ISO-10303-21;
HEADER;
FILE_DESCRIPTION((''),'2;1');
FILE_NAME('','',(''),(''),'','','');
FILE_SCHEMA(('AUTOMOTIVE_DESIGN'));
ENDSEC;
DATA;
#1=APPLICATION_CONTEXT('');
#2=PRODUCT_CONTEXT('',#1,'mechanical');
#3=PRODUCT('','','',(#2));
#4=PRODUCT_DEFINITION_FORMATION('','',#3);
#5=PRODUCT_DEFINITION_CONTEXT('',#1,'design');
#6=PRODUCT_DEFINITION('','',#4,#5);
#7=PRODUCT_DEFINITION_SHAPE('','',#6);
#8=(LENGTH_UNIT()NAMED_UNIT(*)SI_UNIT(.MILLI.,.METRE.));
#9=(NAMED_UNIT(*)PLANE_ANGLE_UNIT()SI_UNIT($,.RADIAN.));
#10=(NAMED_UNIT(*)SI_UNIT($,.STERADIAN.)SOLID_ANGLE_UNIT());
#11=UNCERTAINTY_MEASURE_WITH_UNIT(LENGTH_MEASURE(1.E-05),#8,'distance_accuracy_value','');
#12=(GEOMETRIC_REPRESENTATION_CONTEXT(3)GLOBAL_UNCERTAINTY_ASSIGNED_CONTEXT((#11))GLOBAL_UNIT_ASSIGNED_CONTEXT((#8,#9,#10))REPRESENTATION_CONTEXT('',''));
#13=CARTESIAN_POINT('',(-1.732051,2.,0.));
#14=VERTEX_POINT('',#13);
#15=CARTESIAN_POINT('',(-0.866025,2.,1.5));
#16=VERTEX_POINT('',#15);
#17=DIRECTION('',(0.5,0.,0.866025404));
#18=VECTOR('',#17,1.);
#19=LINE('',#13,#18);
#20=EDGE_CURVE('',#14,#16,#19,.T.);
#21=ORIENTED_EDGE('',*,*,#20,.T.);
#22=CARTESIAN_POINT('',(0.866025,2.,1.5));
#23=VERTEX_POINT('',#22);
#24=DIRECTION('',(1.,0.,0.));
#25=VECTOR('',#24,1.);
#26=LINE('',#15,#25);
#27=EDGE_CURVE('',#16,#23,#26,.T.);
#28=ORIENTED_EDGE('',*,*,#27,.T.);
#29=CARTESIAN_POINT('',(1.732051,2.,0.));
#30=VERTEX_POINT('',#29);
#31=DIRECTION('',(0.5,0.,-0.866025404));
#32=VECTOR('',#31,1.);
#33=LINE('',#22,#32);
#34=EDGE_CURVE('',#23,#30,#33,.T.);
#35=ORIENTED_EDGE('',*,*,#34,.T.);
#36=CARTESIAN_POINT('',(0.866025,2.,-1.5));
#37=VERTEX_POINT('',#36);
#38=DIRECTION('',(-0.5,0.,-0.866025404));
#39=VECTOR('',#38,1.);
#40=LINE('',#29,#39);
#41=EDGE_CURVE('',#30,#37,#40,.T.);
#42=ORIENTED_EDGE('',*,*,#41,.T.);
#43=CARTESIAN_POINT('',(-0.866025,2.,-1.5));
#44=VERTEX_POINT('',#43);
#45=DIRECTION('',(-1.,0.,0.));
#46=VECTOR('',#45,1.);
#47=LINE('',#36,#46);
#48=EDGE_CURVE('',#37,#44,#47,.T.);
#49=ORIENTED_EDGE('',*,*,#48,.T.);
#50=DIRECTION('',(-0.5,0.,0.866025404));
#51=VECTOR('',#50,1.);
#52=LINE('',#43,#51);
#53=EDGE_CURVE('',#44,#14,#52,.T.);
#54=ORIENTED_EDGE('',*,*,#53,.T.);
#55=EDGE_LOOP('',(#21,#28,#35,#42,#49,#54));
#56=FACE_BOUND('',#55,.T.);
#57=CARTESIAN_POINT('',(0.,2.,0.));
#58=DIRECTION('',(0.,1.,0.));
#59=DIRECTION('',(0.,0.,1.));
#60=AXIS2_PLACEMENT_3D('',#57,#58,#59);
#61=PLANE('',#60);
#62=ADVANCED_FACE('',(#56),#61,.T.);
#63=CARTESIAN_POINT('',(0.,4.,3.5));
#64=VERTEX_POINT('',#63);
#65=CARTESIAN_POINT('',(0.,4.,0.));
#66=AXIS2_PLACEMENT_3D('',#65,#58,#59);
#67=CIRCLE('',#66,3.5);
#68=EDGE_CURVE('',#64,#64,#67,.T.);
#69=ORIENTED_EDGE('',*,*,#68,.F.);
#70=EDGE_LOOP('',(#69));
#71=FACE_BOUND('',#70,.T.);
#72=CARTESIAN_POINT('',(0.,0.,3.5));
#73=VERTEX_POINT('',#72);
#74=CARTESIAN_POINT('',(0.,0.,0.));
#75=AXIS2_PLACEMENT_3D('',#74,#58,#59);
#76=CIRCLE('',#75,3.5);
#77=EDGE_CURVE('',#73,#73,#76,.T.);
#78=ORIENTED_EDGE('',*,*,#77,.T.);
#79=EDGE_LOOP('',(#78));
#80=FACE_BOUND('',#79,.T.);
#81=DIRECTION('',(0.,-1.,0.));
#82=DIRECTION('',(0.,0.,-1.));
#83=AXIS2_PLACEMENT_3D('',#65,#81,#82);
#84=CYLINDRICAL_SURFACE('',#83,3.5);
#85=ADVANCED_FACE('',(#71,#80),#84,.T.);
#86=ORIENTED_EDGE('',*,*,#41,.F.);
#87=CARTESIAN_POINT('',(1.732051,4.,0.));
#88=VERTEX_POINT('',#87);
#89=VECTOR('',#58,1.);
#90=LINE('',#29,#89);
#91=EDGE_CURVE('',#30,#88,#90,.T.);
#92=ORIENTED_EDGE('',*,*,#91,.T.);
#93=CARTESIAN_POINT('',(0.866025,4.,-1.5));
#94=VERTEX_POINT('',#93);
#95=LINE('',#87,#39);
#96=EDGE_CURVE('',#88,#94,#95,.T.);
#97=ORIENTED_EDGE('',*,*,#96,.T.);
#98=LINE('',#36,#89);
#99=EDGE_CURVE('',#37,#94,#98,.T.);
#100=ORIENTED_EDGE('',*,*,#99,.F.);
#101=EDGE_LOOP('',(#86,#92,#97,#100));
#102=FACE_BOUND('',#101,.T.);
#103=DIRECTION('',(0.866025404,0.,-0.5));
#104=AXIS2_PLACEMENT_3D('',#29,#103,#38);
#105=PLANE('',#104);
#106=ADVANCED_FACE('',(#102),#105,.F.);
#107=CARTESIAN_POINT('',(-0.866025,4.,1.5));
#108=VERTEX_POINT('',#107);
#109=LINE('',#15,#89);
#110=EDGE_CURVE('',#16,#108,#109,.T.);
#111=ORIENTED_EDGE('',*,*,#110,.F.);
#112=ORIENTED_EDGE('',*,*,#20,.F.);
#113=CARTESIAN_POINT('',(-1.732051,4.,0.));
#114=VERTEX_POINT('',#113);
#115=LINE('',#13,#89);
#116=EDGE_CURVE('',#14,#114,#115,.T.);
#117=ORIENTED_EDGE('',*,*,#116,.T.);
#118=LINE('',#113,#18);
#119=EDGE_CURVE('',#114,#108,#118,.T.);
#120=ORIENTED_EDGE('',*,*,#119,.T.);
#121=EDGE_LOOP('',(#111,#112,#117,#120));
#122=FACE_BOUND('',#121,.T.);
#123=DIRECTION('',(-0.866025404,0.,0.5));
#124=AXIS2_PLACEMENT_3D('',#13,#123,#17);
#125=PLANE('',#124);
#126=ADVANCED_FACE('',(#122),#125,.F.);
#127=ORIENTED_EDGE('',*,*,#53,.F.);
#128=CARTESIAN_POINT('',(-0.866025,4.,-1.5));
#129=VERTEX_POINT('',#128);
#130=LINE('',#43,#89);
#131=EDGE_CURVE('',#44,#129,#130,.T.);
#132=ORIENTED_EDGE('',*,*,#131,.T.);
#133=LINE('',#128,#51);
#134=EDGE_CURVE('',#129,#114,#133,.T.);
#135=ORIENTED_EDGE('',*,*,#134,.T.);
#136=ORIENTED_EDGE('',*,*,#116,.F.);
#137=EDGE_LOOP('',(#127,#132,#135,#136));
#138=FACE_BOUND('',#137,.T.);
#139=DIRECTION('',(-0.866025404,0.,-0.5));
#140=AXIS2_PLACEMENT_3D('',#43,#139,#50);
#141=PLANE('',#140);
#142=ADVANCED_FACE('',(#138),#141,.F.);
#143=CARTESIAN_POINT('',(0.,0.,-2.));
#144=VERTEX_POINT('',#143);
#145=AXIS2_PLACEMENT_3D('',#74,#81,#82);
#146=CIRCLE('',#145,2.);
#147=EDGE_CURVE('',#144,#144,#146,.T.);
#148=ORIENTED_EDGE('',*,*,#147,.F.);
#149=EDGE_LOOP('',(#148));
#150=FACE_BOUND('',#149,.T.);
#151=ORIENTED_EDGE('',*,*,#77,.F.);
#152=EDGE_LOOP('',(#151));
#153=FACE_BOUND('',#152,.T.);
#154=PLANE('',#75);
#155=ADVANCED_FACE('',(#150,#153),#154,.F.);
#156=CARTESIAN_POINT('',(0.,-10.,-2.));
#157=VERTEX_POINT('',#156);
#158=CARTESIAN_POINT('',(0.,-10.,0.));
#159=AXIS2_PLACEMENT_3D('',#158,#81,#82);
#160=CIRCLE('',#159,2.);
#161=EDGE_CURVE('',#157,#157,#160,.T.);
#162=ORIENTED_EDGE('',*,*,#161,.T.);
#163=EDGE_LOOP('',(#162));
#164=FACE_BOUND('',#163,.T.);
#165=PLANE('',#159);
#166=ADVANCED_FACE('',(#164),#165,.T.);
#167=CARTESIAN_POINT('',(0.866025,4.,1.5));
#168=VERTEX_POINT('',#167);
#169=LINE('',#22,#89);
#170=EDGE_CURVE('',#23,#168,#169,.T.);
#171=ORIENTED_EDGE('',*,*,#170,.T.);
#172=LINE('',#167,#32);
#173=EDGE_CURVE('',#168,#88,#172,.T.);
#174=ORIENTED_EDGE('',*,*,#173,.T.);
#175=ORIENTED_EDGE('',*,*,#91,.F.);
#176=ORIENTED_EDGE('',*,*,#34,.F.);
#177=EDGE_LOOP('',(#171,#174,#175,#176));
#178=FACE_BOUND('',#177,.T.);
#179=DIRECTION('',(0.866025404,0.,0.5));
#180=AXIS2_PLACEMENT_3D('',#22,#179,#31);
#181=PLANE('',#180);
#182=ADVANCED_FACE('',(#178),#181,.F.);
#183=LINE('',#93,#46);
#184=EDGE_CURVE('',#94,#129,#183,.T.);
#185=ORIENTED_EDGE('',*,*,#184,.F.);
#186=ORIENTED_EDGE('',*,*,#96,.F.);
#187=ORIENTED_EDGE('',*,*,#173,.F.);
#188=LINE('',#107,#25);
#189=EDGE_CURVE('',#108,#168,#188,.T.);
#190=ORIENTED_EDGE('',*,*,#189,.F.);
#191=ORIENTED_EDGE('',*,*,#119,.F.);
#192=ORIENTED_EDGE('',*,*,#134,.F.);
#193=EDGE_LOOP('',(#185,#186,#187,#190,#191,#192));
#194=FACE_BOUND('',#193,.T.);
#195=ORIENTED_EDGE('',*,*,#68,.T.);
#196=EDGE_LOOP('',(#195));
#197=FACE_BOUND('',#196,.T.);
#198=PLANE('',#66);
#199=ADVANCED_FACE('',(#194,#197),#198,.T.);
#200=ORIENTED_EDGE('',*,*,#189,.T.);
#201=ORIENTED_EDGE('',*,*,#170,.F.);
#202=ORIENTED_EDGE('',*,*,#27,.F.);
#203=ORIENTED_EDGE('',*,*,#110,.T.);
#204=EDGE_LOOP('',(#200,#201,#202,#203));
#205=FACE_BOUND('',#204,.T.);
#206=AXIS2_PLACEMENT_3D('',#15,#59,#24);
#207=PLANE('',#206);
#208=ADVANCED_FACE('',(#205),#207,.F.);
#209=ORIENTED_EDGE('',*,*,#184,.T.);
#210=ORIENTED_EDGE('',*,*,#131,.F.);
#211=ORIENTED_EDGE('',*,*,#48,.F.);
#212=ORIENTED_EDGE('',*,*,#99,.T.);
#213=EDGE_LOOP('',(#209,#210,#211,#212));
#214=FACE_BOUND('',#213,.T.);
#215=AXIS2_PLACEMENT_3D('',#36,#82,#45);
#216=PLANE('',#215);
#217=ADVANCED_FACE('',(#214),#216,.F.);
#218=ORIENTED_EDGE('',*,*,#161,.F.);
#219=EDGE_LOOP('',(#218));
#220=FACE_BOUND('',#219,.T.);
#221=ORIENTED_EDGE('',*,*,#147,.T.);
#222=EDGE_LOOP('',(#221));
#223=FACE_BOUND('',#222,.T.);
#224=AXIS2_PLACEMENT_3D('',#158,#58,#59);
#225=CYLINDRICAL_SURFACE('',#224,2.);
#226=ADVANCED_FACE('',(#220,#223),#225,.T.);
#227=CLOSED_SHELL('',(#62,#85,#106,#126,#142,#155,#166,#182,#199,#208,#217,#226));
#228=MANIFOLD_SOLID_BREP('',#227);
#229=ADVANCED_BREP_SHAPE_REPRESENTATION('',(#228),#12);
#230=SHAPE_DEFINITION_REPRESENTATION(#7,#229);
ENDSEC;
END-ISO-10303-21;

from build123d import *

# Parameters (mm, degrees)
SKETCH_1_R            = 3.5
EXTRUDE_246_DEPTH     = 4
CUT_EXTRUDE_376_DEPTH = 2
SKETCH_3_R            = 2
EXTRUDE_477_DEPTH     = 10


with BuildPart() as part:
    # 草图1 → Extrude 246 (new body)
    with BuildSketch(Plane(origin=(0, 0, 0), x_dir=(1, 0, 0), z_dir=(0, 1, 0))):
        Circle(SKETCH_1_R)
    extrude(amount=EXTRUDE_246_DEPTH)

    # 草图2 → Cut-Extrude 376 (cut)
    with BuildSketch(Plane(origin=(0, 4, 0), x_dir=(1, 0, 0), z_dir=(0, 1, 0))):
        Polygon((1.732050808, 0), (0.866025404, 1.5), (-0.866025404, 1.5), (-1.732050808, 0), (-0.866025404, -1.5), (0.866025404, -1.5), align=None)
    extrude(amount=-CUT_EXTRUDE_376_DEPTH, mode=Mode.SUBTRACT)

    # 草图3 → Extrude 477 (add)
    with BuildSketch(Plane.XZ):
        Circle(SKETCH_3_R)
    extrude(amount=EXTRUDE_477_DEPTH)


solid = part.part
